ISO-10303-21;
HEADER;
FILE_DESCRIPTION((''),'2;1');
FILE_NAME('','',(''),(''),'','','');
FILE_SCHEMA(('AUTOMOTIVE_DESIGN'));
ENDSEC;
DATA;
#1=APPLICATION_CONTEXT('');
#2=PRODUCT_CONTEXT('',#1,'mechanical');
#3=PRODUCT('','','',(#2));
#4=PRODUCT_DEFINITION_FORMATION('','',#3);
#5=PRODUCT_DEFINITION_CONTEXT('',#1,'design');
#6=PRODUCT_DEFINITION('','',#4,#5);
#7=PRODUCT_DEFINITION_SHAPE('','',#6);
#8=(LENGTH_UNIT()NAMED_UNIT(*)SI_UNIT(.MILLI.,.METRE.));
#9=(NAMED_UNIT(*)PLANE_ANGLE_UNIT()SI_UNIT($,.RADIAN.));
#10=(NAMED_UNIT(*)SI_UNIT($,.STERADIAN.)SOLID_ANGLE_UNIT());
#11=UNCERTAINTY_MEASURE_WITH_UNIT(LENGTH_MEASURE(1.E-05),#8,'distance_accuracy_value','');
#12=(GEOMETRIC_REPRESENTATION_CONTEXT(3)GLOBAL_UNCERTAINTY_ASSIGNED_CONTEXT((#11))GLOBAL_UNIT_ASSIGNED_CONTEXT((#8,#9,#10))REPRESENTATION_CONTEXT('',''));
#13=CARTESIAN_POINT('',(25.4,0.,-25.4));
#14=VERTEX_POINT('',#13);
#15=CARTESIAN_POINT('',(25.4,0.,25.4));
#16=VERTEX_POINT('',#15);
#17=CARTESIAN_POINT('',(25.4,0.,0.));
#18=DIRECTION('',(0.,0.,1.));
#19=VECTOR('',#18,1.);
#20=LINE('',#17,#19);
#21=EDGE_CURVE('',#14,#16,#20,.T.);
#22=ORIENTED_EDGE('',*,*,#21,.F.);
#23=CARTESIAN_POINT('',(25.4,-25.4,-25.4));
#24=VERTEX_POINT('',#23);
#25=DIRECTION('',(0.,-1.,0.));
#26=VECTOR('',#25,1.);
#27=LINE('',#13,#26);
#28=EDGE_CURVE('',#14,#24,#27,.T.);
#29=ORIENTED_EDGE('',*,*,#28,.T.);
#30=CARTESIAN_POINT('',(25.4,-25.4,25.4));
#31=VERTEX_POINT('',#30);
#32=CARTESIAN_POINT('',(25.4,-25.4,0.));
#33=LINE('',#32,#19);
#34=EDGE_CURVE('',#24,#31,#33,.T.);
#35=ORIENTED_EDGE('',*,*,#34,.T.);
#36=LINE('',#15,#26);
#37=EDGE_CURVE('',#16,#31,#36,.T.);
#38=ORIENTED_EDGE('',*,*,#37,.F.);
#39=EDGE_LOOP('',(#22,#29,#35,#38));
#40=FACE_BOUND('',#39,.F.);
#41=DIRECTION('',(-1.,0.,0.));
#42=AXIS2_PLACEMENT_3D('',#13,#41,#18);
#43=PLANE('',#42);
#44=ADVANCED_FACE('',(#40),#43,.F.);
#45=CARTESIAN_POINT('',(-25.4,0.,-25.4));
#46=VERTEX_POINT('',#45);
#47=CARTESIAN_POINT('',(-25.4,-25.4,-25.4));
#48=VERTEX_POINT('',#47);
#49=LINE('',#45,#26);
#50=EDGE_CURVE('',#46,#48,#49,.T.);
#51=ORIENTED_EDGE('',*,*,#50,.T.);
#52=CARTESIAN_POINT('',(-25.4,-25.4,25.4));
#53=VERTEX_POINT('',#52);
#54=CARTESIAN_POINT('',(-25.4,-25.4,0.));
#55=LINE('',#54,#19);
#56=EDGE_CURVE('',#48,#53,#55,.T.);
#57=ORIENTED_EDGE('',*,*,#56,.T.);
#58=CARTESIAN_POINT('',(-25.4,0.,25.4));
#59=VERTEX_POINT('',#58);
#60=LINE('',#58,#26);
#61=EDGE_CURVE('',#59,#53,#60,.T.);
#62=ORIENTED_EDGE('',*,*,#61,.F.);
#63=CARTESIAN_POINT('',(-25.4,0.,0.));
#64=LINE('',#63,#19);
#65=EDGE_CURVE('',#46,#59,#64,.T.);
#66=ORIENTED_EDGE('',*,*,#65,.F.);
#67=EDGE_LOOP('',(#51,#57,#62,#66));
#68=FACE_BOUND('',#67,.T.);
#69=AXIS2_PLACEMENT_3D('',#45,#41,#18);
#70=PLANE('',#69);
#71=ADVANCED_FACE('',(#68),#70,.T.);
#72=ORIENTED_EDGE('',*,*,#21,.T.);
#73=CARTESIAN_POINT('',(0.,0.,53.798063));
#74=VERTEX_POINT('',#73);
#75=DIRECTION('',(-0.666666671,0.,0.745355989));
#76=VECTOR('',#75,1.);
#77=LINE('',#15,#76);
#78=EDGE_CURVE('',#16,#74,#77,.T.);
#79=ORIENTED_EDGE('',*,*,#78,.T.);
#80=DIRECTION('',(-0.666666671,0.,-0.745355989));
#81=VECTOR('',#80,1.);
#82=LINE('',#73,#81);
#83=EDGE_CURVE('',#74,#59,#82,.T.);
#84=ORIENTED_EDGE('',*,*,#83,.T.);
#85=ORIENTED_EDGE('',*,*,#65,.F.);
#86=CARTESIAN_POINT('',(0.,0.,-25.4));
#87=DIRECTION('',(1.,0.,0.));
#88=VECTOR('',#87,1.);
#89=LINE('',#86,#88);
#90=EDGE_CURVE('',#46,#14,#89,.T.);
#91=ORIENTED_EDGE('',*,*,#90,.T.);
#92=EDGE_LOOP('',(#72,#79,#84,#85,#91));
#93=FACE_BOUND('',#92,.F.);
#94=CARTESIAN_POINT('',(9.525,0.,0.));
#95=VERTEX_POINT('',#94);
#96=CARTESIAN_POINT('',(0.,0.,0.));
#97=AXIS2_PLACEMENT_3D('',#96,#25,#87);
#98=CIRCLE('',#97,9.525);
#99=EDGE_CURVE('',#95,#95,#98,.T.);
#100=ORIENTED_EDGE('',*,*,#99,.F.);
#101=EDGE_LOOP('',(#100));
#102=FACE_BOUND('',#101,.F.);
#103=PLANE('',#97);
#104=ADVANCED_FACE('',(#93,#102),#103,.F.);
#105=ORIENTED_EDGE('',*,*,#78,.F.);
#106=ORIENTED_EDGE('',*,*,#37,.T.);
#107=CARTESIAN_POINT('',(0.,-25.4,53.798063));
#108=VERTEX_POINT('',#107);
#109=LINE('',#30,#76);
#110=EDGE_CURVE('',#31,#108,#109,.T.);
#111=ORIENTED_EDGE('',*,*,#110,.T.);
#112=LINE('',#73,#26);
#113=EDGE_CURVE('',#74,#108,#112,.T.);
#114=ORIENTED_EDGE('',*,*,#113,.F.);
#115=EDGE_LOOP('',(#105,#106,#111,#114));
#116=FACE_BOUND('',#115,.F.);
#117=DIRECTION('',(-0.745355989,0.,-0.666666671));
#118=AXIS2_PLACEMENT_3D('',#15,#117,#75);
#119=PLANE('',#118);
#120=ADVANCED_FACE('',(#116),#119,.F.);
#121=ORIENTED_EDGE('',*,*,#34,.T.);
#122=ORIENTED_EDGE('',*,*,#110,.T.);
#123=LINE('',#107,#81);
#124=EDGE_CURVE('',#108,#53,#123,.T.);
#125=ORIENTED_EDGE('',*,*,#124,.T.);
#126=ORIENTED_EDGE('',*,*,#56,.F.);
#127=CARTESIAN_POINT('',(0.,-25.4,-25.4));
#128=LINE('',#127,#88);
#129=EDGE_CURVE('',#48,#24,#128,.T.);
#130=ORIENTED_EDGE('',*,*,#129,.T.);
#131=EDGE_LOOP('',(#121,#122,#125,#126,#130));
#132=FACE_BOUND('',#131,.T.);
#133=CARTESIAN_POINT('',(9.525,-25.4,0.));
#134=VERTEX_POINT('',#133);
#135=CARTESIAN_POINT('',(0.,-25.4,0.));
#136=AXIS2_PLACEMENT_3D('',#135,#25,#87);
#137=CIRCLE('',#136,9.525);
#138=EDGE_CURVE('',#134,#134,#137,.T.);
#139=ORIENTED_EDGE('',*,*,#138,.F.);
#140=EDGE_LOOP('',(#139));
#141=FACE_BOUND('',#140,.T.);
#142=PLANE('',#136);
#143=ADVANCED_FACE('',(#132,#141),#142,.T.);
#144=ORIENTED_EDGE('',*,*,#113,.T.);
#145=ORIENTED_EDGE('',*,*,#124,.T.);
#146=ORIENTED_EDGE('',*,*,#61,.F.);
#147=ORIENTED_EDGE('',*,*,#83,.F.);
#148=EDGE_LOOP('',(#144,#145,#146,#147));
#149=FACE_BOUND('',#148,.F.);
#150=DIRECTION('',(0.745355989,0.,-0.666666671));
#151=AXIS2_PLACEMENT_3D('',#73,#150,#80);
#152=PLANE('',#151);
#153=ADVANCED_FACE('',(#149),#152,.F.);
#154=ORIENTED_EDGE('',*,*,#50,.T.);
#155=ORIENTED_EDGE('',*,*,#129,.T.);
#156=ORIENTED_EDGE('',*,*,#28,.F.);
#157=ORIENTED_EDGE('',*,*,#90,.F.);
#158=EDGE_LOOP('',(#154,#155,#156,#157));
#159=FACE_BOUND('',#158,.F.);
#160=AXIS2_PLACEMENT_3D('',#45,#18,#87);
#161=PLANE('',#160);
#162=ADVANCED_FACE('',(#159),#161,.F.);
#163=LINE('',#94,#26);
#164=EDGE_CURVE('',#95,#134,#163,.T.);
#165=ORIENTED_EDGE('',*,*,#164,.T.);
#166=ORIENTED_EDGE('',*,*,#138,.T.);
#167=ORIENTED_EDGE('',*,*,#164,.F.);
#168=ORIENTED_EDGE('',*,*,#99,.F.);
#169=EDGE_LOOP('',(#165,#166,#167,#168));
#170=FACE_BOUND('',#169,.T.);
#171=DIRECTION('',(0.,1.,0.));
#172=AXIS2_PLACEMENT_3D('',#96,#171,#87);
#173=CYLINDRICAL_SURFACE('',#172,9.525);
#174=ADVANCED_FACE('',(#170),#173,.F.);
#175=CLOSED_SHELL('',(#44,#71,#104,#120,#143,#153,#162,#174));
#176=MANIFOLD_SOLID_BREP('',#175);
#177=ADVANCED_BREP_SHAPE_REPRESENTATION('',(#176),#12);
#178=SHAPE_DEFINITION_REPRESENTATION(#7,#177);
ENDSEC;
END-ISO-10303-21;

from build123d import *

# Parameters (mm, degrees)
F0_W     = 50.8
F0_H     = 50.8
F0_R     = 9.525
F1_DEPTH = 25.4


with BuildPart() as f1:
    # F0 (on Front) → F1 (new body)
    with BuildSketch(Plane.XZ):
        Rectangle(F0_W, F0_H)
        Circle(F0_R, mode=Mode.SUBTRACT)
        Polygon((0, 53.798063), (-25.4, 25.4), (25.4, 25.4), align=None)
    extrude(amount=F1_DEPTH)


solid = f1.part
